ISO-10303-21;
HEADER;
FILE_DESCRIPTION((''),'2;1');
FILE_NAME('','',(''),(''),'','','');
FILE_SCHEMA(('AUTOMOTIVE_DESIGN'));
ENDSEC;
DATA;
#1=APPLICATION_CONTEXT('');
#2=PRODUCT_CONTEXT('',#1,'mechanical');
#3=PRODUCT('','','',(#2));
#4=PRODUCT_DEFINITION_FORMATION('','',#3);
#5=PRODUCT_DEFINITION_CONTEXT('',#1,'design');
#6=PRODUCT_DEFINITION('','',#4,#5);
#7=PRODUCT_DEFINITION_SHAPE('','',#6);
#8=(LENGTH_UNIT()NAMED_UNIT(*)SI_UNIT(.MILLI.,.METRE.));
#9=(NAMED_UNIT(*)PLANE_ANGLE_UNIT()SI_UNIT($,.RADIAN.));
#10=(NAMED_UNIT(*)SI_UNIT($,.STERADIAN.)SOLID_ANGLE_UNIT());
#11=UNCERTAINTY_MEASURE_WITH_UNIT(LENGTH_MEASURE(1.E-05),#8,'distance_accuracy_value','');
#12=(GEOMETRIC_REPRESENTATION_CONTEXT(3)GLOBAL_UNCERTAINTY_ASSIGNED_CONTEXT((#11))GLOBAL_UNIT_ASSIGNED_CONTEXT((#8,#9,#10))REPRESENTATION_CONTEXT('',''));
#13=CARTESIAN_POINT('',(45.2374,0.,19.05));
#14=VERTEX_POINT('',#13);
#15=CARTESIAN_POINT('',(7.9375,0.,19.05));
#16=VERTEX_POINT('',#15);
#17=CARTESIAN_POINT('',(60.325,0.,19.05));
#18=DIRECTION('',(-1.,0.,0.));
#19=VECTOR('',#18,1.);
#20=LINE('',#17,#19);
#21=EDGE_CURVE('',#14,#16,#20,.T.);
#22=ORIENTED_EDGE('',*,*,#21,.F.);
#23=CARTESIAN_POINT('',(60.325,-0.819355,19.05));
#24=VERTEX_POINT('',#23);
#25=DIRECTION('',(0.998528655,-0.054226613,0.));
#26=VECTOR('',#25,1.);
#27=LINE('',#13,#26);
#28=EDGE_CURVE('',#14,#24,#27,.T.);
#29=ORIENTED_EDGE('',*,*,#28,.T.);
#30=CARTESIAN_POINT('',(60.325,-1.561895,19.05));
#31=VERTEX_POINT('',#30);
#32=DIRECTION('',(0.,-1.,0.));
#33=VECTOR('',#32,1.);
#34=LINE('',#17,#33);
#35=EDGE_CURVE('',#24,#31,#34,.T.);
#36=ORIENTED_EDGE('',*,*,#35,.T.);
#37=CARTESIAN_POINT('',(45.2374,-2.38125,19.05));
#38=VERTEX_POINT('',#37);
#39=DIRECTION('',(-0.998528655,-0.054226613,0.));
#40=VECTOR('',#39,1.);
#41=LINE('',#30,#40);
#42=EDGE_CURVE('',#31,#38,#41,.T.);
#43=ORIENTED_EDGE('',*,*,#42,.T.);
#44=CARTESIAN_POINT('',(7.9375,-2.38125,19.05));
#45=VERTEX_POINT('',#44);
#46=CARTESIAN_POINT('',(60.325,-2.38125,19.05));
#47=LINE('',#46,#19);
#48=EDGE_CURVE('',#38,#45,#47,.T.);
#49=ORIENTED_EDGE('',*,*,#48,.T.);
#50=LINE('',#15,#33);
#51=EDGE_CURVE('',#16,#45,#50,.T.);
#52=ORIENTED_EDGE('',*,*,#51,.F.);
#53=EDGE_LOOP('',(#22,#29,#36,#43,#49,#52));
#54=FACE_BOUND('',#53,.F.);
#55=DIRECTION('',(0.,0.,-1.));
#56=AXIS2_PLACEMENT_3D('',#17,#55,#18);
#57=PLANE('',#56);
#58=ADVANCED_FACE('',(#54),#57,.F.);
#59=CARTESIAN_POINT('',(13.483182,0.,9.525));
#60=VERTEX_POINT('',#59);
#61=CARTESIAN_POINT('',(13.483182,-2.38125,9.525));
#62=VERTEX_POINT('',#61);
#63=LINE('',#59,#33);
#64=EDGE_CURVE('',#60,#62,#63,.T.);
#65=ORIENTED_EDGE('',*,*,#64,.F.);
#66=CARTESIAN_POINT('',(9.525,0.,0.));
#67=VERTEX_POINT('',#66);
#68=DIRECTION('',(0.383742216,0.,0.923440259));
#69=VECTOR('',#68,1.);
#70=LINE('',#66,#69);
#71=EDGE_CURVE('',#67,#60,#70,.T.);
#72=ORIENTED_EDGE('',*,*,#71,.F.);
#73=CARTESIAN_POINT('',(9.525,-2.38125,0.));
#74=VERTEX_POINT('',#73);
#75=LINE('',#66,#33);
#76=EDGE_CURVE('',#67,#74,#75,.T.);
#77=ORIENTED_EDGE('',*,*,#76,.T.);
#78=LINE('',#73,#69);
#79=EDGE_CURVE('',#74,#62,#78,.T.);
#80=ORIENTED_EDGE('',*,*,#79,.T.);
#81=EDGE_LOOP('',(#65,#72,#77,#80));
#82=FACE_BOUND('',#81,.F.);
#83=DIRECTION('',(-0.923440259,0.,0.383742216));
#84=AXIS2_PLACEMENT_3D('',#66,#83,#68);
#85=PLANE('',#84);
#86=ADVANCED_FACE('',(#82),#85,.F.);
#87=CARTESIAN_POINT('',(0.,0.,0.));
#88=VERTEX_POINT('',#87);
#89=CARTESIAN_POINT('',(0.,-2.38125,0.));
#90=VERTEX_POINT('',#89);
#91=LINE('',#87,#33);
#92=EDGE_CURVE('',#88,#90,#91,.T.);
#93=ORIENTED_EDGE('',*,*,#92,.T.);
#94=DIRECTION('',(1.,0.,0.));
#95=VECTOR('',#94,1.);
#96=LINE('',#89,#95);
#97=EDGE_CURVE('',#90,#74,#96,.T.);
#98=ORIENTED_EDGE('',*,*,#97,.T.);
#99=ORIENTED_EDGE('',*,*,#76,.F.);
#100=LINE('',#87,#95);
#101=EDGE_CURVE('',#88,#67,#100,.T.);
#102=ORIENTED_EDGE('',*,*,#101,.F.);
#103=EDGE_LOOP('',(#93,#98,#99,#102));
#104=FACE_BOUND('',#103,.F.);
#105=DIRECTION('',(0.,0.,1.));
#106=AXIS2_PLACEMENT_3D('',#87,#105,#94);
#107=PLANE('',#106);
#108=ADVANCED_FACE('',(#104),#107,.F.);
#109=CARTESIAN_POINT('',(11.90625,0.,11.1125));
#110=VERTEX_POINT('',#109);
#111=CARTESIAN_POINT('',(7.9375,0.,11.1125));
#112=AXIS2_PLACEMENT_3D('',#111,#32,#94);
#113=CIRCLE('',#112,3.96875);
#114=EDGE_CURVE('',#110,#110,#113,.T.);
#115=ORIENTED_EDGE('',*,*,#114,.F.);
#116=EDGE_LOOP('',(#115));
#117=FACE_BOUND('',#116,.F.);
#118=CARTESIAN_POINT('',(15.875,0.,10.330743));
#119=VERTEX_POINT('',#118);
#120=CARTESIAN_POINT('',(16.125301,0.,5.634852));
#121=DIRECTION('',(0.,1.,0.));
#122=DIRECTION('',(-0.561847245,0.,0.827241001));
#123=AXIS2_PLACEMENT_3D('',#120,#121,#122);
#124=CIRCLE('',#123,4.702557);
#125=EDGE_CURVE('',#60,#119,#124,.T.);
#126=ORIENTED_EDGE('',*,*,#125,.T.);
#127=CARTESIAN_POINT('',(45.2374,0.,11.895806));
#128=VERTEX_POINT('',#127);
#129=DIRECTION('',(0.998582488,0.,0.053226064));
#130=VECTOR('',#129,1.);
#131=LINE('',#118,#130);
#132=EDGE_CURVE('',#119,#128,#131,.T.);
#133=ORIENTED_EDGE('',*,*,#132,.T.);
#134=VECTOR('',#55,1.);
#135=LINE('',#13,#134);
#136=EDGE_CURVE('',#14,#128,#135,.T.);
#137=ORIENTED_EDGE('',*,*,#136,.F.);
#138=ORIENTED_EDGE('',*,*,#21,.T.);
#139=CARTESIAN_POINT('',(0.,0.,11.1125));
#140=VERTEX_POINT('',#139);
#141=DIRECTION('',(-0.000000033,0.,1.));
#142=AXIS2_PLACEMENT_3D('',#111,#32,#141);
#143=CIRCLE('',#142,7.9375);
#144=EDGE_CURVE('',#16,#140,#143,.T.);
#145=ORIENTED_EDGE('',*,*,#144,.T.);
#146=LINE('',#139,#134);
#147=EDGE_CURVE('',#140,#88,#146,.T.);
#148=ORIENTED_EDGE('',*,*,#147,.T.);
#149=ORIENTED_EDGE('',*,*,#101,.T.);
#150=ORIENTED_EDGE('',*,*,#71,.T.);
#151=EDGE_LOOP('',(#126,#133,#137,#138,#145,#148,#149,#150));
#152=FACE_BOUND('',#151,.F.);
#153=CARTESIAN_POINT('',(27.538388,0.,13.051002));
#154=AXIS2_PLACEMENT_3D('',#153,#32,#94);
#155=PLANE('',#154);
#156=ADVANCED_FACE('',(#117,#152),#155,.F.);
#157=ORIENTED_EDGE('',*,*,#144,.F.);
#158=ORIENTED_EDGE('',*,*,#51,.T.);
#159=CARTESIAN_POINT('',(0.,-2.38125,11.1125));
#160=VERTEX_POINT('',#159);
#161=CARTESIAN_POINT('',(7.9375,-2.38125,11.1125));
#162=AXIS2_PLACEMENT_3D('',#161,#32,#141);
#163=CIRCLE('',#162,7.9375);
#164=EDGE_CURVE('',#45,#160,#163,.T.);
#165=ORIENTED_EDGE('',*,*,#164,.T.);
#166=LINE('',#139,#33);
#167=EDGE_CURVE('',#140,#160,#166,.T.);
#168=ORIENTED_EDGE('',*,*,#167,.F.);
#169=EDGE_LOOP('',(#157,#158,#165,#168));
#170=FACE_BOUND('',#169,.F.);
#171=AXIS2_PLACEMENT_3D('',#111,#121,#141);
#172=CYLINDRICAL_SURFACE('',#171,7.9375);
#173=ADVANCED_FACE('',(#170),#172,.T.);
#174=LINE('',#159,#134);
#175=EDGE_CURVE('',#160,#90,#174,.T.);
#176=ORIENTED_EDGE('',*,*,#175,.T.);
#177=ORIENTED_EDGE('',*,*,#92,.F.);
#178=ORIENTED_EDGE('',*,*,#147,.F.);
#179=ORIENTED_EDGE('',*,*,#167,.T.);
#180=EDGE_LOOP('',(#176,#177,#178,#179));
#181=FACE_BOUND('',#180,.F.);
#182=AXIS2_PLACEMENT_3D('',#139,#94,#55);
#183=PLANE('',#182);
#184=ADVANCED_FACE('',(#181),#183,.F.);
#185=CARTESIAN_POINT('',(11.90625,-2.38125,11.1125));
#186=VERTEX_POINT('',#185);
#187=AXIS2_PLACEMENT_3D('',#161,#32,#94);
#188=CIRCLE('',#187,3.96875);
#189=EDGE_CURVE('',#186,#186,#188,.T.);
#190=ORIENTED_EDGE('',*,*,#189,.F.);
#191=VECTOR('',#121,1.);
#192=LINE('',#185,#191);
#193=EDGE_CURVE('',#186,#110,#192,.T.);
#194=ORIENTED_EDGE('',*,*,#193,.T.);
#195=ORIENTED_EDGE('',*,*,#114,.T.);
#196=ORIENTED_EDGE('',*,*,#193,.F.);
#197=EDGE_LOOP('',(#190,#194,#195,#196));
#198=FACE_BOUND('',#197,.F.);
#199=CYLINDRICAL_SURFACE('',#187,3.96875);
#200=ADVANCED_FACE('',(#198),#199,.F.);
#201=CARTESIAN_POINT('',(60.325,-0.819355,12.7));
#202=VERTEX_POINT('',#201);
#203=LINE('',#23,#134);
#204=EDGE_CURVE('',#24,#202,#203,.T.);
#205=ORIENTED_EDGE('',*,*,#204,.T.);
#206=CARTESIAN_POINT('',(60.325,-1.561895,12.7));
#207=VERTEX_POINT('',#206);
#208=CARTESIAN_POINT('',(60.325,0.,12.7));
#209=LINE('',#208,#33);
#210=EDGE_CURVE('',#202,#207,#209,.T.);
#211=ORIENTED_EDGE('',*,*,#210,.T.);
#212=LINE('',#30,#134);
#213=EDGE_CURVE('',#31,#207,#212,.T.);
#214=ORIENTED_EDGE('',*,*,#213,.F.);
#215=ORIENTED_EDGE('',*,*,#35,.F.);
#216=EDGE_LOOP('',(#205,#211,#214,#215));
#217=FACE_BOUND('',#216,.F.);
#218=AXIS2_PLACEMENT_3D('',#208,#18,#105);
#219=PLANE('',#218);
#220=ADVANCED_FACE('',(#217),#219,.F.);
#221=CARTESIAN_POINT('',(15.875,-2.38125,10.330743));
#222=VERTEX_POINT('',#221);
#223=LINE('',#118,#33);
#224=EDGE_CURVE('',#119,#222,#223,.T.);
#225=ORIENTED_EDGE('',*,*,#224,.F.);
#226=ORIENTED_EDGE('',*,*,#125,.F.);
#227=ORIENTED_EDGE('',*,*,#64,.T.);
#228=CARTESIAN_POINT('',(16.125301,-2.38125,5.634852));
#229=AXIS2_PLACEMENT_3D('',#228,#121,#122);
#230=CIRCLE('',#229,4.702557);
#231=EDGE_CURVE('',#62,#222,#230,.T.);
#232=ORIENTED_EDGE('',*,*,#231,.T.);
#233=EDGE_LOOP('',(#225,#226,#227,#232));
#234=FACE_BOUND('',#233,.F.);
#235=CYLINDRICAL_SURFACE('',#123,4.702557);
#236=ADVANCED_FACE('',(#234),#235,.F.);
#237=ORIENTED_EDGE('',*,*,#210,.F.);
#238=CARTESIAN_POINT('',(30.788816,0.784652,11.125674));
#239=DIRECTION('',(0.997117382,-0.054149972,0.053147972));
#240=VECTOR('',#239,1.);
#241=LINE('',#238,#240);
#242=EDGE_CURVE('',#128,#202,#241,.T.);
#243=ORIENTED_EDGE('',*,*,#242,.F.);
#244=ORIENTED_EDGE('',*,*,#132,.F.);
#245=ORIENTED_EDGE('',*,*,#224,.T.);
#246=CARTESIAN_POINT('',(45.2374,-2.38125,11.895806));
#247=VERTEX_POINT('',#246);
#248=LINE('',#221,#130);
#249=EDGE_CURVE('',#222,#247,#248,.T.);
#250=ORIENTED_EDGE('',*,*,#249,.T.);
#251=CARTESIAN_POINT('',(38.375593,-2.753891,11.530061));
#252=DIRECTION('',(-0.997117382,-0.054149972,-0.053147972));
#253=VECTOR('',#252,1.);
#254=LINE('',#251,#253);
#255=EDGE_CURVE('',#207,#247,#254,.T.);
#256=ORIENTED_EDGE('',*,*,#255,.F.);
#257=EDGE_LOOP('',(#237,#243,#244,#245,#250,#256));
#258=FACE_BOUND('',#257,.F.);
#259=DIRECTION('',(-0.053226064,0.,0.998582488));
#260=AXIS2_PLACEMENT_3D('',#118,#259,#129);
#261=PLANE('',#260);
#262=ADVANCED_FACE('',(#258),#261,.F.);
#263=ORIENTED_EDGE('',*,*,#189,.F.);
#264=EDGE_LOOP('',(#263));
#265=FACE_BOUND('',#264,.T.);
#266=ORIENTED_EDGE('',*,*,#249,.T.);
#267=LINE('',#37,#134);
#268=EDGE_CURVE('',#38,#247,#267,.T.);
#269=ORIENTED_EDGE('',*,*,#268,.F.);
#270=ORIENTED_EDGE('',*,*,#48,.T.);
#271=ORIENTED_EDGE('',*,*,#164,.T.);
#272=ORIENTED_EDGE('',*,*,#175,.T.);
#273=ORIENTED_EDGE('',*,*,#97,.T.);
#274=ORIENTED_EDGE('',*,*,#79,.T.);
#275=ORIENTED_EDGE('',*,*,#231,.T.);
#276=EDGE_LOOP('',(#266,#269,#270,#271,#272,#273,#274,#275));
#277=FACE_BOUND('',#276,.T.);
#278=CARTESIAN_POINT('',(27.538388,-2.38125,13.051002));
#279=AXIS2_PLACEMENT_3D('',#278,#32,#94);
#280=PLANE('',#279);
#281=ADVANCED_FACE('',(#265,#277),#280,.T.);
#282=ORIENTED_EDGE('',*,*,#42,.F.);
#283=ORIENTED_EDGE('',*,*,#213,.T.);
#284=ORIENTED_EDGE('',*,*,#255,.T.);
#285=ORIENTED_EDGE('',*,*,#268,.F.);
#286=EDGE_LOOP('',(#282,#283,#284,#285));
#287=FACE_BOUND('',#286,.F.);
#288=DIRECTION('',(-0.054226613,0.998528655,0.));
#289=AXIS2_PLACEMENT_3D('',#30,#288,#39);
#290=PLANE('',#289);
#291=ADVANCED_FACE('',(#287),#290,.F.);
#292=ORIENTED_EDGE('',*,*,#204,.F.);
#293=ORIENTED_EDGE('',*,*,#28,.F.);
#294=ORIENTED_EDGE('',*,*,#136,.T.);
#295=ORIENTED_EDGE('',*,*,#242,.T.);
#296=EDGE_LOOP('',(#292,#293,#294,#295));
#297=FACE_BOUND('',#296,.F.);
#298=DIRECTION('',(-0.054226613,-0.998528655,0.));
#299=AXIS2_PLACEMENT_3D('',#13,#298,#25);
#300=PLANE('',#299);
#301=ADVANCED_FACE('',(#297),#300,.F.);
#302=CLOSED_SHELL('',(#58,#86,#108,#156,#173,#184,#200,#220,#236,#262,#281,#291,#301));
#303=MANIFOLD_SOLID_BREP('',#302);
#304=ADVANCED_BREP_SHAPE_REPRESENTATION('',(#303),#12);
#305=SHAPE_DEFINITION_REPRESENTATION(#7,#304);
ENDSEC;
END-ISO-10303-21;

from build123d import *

# Parameters (mm, degrees)
F1_DEPTH = 2.38125
F4_R     = 3.96875
F5_DEPTH = 25.4
F7_DEPTH = 25.4


with BuildPart() as f1:
    # F0 (on Front) → F1 (new body)
    with BuildSketch(Plane.XZ):
        with BuildLine():
            Line((60.325, 19.05), (7.9375, 19.05))
            ThreePointArc((7.9375, 19.05), (2.32484, 16.72516), (0, 11.1125))
            Line((0, 11.1125), (0, 0))
            Line((0, 0), (9.525, 0))
            Line((9.525, 0), (13.483182, 9.525))
            ThreePointArc((13.483182, 9.525), (14.624025, 10.091332), (15.875, 10.330743))
            Line((15.875, 10.330743), (60.325, 12.7))
            Line((60.325, 12.7), (60.325, 19.05))
        make_face()
    extrude(amount=F1_DEPTH)

    # F4 (on face) → F5 (cut)
    with BuildSketch(Plane.XZ.offset(2.38125)):
        with Locations((7.9375, 11.1125)):
            Circle(F4_R)
    extrude(amount=-F5_DEPTH, mode=Mode.SUBTRACT)

    # F6 (on face) → F7 (cut)
    with BuildSketch(Plane.XY.offset(19.05)):
        Polygon((60.325, 0), (45.2374, 0), (60.325, -0.819355), align=None)
        Polygon((60.325, -2.38125), (60.325, -1.561895), (45.2374, -2.38125), align=None)
    extrude(amount=-F7_DEPTH, mode=Mode.SUBTRACT)


solid = f1.part
